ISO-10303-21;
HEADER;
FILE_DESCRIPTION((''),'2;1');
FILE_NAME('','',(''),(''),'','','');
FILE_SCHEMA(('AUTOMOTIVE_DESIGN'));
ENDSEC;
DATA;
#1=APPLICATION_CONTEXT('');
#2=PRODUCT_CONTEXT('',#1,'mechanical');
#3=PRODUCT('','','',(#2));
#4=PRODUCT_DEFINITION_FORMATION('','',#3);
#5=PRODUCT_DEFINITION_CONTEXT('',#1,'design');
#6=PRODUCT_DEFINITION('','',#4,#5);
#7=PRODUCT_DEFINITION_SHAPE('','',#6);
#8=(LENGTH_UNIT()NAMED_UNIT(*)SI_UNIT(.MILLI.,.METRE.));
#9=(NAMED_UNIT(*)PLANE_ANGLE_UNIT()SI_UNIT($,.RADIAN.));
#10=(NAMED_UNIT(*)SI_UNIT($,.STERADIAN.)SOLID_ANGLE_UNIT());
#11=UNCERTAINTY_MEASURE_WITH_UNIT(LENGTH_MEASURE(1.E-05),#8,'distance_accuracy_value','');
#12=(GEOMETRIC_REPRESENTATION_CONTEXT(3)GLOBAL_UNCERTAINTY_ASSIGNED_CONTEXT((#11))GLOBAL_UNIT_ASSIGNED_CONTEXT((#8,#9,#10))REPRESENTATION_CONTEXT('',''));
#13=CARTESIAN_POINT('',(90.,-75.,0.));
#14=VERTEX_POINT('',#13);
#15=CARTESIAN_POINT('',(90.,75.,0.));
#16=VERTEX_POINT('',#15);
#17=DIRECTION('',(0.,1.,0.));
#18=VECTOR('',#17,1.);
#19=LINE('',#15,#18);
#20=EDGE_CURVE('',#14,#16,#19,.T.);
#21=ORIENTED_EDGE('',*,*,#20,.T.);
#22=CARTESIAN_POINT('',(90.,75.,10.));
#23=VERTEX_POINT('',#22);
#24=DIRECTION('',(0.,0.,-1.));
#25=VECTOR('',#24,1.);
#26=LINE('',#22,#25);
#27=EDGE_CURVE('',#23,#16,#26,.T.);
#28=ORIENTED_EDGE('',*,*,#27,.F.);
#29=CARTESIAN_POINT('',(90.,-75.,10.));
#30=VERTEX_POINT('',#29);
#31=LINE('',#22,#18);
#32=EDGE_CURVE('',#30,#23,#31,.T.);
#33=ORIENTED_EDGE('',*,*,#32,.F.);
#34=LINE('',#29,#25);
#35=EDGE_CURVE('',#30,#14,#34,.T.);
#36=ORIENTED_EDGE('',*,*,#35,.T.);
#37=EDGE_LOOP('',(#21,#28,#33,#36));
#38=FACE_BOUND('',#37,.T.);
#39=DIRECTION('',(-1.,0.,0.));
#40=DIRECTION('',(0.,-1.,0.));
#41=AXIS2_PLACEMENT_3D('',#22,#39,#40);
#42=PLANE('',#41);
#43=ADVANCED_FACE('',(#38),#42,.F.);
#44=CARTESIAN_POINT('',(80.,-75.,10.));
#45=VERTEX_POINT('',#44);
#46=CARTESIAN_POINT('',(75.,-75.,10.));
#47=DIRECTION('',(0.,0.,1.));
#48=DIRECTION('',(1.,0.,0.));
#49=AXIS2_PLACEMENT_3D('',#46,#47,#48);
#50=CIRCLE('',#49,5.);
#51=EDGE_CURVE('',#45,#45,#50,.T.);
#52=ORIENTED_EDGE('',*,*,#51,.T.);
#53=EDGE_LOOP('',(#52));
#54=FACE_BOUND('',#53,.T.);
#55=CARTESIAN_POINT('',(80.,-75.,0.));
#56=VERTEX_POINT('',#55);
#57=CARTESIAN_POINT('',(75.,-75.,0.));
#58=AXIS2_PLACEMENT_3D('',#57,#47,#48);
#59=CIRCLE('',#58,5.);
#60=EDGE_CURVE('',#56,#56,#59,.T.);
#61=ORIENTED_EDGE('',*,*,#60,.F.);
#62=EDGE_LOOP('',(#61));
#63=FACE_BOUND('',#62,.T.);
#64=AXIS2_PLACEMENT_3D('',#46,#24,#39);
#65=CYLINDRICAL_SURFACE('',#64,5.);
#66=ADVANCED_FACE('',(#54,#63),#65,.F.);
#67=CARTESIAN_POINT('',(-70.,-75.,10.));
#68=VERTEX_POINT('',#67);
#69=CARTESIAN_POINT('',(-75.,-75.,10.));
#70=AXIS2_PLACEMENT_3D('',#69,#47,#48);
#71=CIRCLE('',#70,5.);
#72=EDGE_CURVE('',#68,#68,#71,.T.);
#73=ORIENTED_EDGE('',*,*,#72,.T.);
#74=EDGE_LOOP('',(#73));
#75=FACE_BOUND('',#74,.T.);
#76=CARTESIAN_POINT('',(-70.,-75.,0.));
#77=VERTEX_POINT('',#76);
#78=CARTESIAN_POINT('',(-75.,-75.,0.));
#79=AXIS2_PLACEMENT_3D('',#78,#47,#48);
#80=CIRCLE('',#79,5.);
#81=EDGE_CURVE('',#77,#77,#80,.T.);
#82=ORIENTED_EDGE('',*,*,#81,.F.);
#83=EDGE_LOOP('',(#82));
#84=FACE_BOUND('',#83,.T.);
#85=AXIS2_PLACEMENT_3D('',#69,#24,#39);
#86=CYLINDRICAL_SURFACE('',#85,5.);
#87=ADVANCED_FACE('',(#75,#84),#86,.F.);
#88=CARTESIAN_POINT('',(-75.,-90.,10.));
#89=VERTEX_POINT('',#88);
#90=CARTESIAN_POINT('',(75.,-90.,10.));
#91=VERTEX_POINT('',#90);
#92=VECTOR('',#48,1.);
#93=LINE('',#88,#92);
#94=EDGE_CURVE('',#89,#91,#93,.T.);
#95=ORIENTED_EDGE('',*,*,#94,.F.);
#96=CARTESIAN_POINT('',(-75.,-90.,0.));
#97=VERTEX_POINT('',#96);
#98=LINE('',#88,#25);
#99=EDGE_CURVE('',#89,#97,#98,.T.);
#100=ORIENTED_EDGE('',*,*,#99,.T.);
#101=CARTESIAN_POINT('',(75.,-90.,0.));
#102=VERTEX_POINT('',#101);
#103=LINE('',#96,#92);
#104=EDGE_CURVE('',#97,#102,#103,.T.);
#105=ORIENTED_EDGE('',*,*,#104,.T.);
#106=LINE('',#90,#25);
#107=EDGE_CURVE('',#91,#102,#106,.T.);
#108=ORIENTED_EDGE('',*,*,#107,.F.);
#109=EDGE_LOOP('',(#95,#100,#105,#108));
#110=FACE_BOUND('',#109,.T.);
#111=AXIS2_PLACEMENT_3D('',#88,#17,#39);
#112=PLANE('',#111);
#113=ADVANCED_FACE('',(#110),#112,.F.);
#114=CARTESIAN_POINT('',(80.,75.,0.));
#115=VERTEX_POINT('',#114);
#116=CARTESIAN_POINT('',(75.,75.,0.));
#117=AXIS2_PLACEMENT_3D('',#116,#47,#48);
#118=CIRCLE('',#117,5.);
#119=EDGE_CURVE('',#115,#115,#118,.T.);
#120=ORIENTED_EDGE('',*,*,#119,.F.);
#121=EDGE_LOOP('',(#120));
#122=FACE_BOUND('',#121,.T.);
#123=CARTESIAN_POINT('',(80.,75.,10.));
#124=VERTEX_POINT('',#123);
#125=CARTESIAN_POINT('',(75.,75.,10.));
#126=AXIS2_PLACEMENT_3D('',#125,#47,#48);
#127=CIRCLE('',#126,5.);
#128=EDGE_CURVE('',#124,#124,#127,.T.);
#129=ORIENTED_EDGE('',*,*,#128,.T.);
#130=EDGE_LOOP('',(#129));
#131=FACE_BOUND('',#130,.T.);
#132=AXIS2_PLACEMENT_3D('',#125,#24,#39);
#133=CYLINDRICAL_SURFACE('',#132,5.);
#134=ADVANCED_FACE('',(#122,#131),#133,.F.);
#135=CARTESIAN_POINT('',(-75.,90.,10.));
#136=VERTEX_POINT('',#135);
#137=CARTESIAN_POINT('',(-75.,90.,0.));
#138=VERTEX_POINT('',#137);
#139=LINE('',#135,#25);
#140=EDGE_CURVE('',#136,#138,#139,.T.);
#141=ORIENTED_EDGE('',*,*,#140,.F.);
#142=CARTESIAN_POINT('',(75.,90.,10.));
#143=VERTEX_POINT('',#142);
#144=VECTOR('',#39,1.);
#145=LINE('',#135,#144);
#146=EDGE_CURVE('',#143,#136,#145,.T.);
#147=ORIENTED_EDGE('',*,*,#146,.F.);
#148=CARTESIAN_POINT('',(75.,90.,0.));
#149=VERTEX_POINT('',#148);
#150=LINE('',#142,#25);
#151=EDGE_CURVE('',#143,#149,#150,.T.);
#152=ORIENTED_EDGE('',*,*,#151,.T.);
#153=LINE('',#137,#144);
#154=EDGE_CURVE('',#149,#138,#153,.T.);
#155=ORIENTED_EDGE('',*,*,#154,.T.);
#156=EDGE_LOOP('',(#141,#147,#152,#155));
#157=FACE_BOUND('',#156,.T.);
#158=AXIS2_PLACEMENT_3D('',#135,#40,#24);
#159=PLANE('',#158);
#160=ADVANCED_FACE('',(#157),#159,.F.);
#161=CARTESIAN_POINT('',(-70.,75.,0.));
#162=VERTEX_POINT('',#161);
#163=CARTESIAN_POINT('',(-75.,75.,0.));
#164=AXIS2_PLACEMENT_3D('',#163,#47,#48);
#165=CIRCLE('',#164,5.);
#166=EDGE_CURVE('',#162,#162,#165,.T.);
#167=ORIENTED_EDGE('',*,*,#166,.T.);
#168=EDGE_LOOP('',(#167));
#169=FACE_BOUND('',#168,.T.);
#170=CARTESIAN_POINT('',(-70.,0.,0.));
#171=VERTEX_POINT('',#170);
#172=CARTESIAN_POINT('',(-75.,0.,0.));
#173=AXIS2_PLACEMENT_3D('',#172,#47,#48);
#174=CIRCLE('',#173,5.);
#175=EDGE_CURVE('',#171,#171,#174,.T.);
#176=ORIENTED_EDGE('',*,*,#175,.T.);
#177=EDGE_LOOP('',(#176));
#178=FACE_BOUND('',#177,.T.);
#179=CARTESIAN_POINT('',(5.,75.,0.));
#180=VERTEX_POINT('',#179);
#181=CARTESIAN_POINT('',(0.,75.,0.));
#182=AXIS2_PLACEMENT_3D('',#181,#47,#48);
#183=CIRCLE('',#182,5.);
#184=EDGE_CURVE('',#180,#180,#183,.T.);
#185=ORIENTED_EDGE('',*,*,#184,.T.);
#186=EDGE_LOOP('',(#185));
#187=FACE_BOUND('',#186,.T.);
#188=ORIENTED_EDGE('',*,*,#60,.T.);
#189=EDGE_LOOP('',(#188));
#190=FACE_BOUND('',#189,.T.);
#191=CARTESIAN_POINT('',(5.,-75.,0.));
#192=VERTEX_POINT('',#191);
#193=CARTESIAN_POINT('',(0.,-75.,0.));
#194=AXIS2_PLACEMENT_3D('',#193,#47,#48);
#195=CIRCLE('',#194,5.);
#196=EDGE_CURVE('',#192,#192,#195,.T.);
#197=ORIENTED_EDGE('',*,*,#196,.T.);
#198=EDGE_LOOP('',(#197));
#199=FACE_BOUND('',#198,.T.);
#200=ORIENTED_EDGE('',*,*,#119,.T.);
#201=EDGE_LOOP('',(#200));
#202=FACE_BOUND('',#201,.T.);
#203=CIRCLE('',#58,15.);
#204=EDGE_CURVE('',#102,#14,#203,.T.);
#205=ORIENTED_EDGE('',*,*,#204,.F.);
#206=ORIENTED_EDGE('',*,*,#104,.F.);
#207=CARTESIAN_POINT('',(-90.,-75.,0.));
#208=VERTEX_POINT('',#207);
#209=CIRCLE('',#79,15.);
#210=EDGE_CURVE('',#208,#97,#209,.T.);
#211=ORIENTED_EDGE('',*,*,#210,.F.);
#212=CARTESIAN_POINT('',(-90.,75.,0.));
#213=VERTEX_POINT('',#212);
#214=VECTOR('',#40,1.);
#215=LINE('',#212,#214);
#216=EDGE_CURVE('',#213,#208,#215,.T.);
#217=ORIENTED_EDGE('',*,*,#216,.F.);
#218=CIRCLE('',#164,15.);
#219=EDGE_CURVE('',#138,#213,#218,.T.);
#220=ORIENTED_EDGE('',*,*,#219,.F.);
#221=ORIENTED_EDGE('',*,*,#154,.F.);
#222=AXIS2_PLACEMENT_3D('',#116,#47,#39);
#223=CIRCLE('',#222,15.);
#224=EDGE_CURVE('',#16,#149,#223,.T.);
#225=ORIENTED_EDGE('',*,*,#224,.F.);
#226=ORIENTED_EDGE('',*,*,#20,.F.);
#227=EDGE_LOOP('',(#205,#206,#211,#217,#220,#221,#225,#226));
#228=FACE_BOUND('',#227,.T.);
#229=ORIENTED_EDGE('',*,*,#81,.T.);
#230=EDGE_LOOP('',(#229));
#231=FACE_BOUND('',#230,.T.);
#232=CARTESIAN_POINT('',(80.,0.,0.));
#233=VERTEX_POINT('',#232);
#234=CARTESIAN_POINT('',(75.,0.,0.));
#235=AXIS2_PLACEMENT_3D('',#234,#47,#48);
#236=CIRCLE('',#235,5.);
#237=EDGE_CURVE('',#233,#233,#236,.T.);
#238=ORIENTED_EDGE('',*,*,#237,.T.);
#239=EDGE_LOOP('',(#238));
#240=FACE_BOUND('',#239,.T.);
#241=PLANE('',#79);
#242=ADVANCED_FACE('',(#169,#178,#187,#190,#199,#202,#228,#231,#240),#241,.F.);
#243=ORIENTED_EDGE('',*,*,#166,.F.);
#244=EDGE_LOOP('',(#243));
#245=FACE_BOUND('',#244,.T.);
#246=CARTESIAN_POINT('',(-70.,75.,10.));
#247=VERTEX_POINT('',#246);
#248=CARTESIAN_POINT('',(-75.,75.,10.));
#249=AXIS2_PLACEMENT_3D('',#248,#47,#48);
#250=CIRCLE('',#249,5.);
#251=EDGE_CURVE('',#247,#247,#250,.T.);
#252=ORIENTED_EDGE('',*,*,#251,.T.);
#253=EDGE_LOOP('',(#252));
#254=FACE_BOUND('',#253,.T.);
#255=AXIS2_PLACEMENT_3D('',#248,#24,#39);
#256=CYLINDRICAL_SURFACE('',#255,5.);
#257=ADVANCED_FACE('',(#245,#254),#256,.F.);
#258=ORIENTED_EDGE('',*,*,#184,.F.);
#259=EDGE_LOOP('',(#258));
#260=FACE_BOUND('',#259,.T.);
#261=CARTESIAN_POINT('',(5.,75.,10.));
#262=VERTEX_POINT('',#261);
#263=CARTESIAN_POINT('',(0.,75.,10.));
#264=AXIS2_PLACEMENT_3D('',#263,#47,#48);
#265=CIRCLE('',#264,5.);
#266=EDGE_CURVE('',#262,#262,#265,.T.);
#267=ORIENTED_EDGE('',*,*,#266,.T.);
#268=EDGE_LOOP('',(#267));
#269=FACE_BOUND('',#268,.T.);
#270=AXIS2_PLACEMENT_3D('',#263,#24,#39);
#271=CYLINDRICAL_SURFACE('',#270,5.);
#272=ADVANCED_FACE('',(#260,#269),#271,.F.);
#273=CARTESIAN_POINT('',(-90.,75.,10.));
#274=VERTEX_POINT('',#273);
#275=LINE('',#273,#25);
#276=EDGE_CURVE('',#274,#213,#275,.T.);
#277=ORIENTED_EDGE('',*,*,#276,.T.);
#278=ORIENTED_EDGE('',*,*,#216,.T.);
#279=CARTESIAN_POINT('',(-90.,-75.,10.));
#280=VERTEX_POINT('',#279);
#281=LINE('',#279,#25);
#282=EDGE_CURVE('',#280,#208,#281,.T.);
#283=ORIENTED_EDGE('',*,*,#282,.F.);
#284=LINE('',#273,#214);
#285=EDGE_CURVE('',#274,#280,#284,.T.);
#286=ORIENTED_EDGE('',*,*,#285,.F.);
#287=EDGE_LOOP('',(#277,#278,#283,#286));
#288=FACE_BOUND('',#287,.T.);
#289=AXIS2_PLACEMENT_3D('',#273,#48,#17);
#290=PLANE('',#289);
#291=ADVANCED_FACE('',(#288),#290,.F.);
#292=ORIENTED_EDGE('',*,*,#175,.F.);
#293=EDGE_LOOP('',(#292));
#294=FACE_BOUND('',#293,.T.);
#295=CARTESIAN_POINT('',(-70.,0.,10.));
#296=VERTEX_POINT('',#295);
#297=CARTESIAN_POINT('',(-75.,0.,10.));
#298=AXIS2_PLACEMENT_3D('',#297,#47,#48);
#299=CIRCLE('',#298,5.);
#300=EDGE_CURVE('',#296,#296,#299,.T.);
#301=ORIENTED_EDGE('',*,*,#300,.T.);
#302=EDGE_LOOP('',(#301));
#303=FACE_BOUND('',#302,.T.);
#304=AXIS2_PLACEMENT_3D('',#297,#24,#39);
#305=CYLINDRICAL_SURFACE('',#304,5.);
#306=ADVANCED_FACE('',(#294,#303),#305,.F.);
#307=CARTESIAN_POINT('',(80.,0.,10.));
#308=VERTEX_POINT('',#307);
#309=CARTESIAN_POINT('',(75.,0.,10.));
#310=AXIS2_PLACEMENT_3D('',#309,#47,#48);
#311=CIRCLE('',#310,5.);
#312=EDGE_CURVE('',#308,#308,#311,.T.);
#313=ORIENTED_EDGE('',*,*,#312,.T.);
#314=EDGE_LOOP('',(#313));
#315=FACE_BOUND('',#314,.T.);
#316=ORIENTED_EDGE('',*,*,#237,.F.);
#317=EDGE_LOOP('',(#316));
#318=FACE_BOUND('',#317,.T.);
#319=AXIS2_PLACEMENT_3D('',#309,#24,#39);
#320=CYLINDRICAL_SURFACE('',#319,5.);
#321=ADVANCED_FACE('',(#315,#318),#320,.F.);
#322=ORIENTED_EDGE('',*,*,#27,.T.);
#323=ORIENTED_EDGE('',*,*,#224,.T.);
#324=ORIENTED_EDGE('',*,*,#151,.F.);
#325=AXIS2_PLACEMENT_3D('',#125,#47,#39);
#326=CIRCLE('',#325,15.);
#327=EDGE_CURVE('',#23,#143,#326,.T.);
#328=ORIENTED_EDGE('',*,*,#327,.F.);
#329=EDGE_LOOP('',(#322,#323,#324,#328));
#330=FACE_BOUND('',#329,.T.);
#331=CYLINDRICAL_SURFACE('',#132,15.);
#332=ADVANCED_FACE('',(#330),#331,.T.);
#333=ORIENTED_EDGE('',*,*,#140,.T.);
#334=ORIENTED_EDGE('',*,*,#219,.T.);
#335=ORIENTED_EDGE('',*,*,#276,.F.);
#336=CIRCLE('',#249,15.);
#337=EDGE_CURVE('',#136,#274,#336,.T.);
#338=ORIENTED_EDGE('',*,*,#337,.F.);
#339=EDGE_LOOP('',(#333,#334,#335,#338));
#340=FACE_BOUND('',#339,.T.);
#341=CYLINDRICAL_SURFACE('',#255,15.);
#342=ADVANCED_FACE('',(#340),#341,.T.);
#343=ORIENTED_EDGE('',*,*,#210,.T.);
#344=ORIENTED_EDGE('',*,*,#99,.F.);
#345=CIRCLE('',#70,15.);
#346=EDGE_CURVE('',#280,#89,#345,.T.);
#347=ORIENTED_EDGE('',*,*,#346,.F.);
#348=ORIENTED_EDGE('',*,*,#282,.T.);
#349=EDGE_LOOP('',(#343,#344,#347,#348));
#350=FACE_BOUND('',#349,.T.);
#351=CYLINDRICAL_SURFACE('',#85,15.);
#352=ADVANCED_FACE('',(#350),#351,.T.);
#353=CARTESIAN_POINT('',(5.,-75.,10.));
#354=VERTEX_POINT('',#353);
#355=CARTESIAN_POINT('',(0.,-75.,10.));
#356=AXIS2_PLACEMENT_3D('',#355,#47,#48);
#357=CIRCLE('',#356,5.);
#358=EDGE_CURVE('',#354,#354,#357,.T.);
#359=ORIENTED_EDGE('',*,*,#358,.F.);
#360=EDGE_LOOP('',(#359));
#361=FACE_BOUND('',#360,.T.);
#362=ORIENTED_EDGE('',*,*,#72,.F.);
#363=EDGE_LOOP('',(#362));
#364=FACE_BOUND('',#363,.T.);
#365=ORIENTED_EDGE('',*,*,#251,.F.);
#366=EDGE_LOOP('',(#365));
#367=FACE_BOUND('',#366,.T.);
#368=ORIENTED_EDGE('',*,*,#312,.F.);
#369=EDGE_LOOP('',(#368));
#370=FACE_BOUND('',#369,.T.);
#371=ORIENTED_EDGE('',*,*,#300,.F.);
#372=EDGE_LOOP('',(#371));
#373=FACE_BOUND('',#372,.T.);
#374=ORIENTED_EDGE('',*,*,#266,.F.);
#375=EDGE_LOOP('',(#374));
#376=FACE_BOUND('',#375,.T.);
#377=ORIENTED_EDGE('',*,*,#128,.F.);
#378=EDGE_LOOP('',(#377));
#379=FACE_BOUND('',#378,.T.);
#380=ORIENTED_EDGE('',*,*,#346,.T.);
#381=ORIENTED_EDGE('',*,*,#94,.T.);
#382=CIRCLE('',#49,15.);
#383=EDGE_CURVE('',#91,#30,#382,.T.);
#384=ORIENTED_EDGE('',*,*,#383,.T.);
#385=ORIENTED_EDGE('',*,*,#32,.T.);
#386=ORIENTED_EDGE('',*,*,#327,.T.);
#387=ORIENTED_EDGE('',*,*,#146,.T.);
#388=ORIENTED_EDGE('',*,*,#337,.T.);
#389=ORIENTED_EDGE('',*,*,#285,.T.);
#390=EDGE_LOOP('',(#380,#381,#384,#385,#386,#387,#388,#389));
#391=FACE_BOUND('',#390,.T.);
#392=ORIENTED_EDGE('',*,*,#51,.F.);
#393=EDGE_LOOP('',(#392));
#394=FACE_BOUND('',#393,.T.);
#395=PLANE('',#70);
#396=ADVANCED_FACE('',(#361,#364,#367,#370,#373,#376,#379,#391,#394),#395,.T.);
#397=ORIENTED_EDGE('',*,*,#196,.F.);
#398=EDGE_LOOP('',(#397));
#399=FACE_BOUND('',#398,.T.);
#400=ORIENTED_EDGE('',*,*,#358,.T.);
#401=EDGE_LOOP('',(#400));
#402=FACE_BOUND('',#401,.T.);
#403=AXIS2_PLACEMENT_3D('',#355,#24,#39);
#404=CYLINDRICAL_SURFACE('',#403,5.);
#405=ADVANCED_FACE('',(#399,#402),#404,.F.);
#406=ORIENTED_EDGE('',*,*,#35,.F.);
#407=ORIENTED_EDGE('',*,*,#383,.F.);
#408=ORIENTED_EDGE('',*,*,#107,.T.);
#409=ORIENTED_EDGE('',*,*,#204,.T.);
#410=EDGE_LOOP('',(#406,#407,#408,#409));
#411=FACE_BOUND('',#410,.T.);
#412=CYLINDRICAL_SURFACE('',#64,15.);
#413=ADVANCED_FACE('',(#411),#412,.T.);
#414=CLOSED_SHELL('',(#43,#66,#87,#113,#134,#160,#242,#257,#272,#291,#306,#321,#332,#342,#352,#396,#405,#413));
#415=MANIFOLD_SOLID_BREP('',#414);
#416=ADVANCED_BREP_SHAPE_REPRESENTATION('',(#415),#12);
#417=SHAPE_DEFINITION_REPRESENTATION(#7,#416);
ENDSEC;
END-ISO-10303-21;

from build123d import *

# Parameters (mm, degrees)
SKETCH2_R           = 5
BOSS_EXTRUDE1_DEPTH = 10


with BuildPart() as part:
    # Sketch2 → Boss-Extrude1 (new body)
    with BuildSketch(Plane.XY):
        with BuildLine():
            Line((-75, 90), (75, 90))
            ThreePointArc((75, 90), (85.606601718, 85.606601718), (90, 75))
            Line((90, 75), (90, -75))
            ThreePointArc((90, -75), (85.606601718, -85.606601718), (75, -90))
            Line((75, -90), (-75, -90))
            ThreePointArc((-75, -90), (-85.606601718, -85.606601718), (-90, -75))
            Line((-90, -75), (-90, 75))
            ThreePointArc((-90, 75), (-85.606601718, 85.606601718), (-75, 90))
        make_face()
        with Locations((-75, 75)):
            Circle(SKETCH2_R, mode=Mode.SUBTRACT)
        with Locations((0, 75)):
            Circle(SKETCH2_R, mode=Mode.SUBTRACT)
        with Locations((75, 75)):
            Circle(SKETCH2_R, mode=Mode.SUBTRACT)
        with Locations((-75, 0)):
            Circle(SKETCH2_R, mode=Mode.SUBTRACT)
        with Locations((75, 0)):
            Circle(SKETCH2_R, mode=Mode.SUBTRACT)
        with Locations((-75, -75)):
            Circle(SKETCH2_R, mode=Mode.SUBTRACT)
        with Locations((0, -75)):
            Circle(SKETCH2_R, mode=Mode.SUBTRACT)
        with Locations((75, -75)):
            Circle(SKETCH2_R, mode=Mode.SUBTRACT)
    extrude(amount=BOSS_EXTRUDE1_DEPTH)


solid = part.part
